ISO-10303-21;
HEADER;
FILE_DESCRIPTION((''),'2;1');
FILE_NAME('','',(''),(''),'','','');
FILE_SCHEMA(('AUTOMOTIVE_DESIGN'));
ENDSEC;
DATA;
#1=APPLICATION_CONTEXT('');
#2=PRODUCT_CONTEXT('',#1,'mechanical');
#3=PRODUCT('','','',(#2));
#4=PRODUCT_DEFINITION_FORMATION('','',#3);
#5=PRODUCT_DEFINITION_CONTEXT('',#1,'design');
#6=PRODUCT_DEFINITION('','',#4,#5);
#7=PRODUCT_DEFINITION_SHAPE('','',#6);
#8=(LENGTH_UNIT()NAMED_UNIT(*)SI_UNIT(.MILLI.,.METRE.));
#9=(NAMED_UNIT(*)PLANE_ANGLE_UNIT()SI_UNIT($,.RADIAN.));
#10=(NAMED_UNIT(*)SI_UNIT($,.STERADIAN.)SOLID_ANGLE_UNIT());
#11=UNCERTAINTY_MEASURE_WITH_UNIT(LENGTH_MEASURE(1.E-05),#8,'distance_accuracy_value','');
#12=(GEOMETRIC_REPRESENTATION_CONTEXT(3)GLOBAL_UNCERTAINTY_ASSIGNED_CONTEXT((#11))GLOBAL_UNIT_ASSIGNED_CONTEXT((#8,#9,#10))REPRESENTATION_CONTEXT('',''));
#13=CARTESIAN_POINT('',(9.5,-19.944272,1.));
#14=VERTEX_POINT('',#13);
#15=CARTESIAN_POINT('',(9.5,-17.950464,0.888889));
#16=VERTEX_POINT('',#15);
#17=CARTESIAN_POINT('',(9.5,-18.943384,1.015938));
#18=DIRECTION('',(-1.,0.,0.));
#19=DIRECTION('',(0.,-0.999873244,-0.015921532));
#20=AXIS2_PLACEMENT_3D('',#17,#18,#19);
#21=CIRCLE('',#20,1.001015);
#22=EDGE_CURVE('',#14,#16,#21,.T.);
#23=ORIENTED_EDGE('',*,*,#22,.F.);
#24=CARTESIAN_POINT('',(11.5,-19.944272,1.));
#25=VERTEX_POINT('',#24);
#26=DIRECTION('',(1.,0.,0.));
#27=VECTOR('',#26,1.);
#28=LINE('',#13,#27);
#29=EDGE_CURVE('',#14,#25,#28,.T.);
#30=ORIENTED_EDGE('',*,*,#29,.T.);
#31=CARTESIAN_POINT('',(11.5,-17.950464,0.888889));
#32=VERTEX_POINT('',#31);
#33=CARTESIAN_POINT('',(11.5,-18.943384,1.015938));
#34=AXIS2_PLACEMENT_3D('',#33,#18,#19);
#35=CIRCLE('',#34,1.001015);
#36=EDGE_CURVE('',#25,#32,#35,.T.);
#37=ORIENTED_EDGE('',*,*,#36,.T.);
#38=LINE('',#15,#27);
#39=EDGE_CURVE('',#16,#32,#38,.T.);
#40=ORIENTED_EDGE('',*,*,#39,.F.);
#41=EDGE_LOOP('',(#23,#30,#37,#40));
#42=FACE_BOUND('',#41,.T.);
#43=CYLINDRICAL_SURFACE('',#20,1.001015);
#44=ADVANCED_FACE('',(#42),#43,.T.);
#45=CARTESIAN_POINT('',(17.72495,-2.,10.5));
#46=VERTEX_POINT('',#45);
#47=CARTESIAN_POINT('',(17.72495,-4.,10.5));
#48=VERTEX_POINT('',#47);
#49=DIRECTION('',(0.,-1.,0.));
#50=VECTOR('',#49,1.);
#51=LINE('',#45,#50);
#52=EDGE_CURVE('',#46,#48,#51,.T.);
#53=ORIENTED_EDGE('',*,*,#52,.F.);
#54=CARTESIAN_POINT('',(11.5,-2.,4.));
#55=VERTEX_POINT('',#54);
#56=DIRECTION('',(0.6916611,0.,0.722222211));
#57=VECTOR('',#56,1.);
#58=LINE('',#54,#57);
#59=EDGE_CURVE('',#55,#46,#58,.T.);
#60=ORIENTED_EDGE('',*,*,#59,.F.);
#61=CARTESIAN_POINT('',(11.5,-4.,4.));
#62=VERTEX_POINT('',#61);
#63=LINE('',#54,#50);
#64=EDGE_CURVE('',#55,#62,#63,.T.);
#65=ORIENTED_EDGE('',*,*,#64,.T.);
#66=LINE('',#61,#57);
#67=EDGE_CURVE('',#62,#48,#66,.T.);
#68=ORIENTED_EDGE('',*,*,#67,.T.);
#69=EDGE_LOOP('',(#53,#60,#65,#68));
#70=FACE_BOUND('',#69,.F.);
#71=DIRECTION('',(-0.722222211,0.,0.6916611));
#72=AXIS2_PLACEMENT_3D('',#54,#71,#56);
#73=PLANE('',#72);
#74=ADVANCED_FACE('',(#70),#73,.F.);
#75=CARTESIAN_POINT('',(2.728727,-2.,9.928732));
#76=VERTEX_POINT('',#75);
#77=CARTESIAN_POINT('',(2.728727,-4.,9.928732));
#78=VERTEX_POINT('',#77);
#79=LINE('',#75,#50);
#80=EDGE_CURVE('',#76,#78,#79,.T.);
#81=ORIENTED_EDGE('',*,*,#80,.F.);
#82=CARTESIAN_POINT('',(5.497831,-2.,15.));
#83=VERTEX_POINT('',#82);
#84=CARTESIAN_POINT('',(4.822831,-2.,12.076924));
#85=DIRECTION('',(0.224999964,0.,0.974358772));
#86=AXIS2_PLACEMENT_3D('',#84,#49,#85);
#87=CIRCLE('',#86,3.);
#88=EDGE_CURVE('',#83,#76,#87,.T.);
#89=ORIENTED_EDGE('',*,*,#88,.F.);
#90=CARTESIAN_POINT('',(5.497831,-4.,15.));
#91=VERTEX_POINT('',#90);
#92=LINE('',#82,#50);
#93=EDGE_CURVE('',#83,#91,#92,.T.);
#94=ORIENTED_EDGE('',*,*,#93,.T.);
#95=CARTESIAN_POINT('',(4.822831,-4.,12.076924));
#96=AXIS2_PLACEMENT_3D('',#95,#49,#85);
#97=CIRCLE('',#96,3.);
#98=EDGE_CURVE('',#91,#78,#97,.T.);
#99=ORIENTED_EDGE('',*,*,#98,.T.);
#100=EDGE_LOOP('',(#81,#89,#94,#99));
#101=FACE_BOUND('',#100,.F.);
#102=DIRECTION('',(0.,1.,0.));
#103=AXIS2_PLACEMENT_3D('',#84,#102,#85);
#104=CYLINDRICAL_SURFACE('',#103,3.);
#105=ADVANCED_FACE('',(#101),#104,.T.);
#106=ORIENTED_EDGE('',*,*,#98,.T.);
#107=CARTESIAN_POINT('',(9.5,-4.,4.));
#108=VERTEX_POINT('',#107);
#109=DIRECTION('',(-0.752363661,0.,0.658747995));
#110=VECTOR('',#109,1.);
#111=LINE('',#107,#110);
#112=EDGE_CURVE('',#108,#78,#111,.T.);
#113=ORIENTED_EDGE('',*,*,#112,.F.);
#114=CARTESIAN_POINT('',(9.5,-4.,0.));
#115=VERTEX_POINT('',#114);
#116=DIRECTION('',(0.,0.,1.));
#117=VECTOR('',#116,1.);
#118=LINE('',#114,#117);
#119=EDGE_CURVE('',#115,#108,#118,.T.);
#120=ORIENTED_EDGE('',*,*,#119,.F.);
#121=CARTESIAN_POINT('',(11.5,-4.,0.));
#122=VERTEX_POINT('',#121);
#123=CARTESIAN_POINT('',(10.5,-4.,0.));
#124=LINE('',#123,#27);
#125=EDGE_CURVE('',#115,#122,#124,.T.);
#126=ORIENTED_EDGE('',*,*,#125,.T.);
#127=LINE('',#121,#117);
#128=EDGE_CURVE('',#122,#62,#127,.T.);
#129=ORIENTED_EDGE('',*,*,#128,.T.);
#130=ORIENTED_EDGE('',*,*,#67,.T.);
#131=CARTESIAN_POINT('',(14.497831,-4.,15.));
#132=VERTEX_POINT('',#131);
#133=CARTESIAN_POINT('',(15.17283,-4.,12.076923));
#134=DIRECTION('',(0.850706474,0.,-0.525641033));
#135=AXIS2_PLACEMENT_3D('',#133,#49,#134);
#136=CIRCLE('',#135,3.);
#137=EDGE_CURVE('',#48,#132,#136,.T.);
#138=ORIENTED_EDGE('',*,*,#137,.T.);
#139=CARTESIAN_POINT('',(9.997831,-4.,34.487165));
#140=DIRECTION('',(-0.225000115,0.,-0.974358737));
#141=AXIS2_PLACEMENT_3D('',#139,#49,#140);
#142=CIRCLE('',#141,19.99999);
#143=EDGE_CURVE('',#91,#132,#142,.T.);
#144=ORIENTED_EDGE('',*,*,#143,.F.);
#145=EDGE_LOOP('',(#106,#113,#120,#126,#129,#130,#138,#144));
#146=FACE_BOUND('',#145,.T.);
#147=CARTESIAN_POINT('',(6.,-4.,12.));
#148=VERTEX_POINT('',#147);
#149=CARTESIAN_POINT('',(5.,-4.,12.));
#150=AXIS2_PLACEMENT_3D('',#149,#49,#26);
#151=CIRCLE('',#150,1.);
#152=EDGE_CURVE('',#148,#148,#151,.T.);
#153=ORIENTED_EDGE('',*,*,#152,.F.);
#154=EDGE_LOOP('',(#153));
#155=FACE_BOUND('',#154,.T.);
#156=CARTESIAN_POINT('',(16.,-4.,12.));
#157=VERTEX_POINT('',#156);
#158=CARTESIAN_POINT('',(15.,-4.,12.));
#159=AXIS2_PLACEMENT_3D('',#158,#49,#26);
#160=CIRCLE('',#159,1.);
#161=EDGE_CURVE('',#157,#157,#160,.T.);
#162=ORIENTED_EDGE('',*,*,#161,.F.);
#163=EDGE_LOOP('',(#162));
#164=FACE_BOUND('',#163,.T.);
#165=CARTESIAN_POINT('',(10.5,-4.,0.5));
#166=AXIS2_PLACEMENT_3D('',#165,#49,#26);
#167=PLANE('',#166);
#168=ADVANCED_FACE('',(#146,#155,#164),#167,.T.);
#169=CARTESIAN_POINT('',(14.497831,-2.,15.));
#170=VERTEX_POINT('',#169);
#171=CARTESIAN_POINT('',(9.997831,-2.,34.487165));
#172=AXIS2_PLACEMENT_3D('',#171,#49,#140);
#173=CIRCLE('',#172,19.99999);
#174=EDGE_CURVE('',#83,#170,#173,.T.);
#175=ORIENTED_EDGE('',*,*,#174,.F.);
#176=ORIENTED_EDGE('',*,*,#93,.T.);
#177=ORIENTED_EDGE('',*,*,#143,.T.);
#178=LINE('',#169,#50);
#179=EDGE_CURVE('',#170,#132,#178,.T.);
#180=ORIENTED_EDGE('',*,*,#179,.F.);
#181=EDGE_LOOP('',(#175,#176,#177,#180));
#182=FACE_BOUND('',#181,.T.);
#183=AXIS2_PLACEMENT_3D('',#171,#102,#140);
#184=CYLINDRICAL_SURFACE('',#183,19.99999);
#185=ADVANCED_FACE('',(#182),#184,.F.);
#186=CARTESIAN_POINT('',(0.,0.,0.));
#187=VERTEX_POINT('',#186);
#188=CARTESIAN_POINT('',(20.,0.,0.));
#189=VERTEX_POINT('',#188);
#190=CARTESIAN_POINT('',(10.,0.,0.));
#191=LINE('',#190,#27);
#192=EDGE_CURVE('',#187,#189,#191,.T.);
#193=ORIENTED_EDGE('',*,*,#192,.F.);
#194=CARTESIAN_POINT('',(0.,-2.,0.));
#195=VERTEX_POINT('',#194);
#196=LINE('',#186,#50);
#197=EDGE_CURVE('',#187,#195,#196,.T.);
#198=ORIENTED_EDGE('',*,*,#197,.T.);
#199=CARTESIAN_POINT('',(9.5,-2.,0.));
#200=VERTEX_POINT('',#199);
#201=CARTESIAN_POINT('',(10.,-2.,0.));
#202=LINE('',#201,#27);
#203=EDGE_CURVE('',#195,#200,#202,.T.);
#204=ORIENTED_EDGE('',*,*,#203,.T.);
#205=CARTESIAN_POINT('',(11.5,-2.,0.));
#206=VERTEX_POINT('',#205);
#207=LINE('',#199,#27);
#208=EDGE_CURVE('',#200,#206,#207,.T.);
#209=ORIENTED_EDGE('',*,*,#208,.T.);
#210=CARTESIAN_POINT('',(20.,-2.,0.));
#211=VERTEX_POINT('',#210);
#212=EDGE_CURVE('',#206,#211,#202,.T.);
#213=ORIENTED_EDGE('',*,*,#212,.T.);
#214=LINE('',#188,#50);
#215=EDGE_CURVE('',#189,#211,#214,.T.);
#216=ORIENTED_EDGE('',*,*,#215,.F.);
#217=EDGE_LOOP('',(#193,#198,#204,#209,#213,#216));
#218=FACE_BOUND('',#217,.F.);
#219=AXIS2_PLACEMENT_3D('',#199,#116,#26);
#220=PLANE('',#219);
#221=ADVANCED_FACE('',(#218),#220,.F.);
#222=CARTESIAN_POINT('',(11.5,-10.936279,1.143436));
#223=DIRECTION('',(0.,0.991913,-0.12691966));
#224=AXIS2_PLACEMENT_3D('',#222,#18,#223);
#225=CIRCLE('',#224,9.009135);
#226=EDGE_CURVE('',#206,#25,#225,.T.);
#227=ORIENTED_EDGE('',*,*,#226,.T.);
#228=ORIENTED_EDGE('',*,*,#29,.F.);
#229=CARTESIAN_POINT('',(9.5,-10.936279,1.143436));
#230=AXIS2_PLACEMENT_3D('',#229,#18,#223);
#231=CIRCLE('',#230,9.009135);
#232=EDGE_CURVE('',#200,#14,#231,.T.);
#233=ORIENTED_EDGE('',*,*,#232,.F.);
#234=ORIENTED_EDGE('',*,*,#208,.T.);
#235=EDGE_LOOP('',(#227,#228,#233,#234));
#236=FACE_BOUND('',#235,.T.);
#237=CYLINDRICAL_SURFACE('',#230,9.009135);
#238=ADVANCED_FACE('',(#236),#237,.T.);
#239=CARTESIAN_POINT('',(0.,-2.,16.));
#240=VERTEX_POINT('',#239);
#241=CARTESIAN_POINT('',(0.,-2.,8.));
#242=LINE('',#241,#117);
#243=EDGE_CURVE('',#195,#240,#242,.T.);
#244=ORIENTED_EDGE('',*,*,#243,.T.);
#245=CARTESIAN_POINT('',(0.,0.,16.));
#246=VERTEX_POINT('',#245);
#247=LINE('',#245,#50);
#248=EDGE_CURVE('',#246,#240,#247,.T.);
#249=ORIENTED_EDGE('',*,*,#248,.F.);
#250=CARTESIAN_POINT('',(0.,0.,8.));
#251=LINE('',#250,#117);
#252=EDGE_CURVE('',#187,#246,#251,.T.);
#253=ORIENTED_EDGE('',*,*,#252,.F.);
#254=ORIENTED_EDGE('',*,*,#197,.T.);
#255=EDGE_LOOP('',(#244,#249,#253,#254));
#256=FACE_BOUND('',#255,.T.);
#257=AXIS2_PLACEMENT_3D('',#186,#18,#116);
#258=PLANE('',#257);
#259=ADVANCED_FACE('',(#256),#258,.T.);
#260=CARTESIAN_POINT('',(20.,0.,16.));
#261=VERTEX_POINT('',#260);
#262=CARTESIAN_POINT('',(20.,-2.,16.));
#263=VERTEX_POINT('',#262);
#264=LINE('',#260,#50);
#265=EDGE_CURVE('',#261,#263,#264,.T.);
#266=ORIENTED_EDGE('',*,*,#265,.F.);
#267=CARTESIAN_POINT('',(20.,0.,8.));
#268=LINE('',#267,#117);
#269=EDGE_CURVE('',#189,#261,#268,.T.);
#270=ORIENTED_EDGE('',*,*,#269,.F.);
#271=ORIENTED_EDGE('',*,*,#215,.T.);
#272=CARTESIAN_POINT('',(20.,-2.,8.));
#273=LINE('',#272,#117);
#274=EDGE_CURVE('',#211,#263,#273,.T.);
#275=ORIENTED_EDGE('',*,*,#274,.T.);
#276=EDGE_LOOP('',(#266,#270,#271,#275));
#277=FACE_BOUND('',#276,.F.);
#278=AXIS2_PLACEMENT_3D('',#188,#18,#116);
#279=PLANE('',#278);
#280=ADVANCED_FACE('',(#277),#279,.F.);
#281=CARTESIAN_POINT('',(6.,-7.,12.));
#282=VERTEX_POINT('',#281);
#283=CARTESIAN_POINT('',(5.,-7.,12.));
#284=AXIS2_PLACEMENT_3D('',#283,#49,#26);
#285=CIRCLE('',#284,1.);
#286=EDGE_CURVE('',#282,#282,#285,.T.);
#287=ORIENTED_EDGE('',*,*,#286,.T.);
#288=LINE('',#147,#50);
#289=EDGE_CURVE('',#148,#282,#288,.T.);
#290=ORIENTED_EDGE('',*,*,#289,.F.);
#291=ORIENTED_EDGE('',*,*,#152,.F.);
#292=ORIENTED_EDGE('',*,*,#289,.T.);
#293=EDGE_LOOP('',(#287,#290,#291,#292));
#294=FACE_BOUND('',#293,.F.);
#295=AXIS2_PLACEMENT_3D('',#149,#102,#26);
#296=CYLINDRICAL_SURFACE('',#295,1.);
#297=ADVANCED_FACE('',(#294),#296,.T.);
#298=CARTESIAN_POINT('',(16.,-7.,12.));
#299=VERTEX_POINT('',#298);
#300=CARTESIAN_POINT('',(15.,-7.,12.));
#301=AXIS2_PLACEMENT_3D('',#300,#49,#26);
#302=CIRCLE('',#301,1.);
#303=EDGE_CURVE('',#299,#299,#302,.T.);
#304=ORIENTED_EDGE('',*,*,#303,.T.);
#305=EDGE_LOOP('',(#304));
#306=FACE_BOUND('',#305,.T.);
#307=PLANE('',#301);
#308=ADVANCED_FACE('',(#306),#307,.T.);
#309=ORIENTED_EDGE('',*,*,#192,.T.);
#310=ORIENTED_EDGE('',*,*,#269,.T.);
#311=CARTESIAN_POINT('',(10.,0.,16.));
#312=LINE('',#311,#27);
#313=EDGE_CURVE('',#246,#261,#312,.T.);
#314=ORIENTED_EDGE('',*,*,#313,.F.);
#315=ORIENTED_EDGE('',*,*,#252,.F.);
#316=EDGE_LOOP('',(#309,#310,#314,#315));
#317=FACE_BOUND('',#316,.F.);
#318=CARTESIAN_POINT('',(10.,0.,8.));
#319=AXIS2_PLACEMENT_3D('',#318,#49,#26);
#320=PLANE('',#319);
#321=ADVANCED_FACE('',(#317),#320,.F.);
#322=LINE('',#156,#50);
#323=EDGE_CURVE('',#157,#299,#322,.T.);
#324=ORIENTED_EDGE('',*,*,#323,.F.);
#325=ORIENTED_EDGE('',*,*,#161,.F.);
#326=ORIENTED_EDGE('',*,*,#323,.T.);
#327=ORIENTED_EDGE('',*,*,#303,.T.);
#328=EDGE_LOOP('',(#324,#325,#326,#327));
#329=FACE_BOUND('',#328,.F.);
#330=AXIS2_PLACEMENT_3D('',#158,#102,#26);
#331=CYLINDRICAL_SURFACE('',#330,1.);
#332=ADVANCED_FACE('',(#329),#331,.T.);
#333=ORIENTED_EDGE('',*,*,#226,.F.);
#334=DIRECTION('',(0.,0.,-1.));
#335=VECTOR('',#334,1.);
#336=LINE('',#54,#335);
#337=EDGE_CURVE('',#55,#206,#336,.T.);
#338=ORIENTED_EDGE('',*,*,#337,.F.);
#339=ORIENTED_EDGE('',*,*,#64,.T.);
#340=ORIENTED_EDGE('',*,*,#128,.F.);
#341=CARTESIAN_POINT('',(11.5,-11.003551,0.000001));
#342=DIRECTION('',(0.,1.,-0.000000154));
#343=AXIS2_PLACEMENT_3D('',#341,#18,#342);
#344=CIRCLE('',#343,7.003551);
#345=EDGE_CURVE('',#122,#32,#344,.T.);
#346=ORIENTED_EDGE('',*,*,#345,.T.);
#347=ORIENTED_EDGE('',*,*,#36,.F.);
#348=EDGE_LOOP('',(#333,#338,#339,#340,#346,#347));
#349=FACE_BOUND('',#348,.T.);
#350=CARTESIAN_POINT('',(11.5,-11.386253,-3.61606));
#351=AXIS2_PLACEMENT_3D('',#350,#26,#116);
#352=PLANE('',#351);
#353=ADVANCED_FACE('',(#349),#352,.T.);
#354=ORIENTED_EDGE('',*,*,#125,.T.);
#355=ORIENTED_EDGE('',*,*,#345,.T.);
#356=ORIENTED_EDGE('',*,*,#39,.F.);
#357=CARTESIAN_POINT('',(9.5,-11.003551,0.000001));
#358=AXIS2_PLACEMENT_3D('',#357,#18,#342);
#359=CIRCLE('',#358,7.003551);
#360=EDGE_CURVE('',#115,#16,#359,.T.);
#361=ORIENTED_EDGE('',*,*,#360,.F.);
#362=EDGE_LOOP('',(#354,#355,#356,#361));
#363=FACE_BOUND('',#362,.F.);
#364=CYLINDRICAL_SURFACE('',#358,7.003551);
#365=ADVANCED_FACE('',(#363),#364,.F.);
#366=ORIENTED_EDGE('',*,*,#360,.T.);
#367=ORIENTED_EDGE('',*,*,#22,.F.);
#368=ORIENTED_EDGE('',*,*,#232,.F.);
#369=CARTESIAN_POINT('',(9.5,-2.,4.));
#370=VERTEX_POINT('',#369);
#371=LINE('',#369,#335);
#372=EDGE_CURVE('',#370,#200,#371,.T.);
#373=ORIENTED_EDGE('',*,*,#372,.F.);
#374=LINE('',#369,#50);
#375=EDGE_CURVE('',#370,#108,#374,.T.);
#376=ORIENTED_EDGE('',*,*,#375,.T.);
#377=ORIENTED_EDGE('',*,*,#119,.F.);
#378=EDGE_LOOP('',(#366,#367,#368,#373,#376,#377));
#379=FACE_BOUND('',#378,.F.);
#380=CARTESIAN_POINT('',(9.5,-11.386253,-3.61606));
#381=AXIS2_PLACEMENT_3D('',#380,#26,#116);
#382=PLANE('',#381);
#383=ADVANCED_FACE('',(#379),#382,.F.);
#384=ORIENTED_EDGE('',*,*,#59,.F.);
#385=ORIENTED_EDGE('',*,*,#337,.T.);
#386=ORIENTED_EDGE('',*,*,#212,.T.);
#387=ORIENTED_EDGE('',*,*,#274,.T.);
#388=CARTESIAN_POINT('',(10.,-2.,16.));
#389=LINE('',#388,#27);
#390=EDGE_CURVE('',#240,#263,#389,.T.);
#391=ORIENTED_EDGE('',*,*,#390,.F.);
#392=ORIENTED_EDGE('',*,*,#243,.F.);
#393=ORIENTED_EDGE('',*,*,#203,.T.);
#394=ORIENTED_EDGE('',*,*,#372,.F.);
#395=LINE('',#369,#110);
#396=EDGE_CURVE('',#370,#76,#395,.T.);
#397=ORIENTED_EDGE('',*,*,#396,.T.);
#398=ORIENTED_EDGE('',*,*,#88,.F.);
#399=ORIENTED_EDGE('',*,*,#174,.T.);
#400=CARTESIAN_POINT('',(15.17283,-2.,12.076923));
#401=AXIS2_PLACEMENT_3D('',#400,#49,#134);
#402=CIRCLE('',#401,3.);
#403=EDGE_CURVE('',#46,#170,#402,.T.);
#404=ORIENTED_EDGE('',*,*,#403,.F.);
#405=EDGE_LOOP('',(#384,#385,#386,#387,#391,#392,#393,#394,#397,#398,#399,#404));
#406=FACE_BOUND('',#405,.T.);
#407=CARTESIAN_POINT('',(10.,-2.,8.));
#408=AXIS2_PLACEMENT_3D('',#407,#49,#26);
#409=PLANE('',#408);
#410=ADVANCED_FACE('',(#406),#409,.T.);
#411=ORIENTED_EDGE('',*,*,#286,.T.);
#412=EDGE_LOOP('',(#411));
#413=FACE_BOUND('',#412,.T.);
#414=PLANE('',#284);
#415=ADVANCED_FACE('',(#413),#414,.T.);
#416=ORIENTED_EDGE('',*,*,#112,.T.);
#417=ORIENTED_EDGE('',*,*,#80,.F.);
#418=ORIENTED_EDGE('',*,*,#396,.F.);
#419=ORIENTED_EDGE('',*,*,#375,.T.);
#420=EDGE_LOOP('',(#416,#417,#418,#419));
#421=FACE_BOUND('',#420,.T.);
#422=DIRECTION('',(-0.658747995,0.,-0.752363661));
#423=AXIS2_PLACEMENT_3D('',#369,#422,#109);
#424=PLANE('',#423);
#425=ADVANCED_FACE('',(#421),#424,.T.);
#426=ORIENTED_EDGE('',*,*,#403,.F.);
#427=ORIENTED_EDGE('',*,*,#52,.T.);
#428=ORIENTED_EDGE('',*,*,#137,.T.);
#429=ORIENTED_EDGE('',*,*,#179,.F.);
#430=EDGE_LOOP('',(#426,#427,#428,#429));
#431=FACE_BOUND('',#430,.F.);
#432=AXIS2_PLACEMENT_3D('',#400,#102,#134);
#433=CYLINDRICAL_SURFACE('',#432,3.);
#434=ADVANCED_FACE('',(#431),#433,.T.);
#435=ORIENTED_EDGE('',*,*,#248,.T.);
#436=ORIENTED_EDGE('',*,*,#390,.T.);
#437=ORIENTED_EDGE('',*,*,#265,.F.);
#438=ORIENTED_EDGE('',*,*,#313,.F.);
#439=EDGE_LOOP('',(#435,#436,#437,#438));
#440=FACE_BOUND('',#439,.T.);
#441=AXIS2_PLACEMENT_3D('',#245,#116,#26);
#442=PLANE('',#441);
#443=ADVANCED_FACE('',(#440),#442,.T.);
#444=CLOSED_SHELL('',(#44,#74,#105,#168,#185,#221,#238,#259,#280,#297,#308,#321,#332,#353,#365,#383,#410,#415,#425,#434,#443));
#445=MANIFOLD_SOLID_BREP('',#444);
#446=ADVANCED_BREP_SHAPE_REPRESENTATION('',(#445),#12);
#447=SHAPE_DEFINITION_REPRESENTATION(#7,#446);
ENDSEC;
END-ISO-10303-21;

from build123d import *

# Parameters (mm, degrees)
SKETCH_W     = 20
SKETCH_H     = 16
PAD_DEPTH    = 2
PAD001_DEPTH = 2
SKETCH004_R  = 1
PAD002_DEPTH = 3
SKETCH005_W  = 2
SKETCH005_H  = 1
PAD003_DEPTH = 2
PAD004_DEPTH = 2


with BuildPart() as part:
    # Sketch → Pad (new body)
    with BuildSketch(Plane.XZ):
        with Locations((10, 8)):
            Rectangle(SKETCH_W, SKETCH_H)
    extrude(amount=PAD_DEPTH)

    # Sketch001 (on Face6 of Pad) → Pad001 (join)
    with BuildSketch(Plane.XZ.offset(2)):
        with BuildLine():
            ThreePointArc((17.72495, 10.5), (17.610738, 13.825239), (14.497831, 15))
            ThreePointArc((5.497831, 15), (9.997831, 14.487175), (14.497831, 15))
            ThreePointArc((5.497831, 15), (2.18979, 13.514663), (2.728727, 9.928732))
            Line((9.5, 4), (2.728727, 9.928732))
            Line((9.5, 4), (9.5, 1))
            Line((9.5, 1), (11.5, 1))
            Line((11.5, 1), (11.5, 4))
            Line((11.5, 4), (17.72495, 10.5))
        make_face()
    extrude(amount=PAD001_DEPTH)

    # Sketch004 (on Face15 of Pad001) → Pad002 (join)
    with BuildSketch(Plane.XZ.offset(4)):
        with Locations((5, 12)):
            Circle(SKETCH004_R)
        with Locations((15, 12)):
            Circle(SKETCH004_R)
    extrude(amount=PAD002_DEPTH)

    # Sketch005 (on Face5 of Pad002) → Pad003 (join)
    with BuildSketch(Plane.XZ.offset(2)):
        with Locations((10.5, 0.5)):
            Rectangle(SKETCH005_W, SKETCH005_H)
    extrude(amount=PAD003_DEPTH)

    # Sketch006 (on Face12 of Pad003) → Pad004 (join)
    with BuildSketch(Plane(origin=(9.5, 0, 0), x_dir=(0, 0, -1), z_dir=(-1, 0, 0))):
        with BuildLine():
            Line((0, 2), (0, 4))
            ThreePointArc((0, 4), (6.989376, 11.448896), (-0.888889, 17.950464))
            ThreePointArc((-1, 19.944272), (-2.015402, 18.887686), (-0.888889, 17.950464))
            ThreePointArc((0, 2), (7.851742, 11.437563), (-1, 19.944272))
        make_face()
    extrude(amount=-PAD004_DEPTH)


solid = part.part
